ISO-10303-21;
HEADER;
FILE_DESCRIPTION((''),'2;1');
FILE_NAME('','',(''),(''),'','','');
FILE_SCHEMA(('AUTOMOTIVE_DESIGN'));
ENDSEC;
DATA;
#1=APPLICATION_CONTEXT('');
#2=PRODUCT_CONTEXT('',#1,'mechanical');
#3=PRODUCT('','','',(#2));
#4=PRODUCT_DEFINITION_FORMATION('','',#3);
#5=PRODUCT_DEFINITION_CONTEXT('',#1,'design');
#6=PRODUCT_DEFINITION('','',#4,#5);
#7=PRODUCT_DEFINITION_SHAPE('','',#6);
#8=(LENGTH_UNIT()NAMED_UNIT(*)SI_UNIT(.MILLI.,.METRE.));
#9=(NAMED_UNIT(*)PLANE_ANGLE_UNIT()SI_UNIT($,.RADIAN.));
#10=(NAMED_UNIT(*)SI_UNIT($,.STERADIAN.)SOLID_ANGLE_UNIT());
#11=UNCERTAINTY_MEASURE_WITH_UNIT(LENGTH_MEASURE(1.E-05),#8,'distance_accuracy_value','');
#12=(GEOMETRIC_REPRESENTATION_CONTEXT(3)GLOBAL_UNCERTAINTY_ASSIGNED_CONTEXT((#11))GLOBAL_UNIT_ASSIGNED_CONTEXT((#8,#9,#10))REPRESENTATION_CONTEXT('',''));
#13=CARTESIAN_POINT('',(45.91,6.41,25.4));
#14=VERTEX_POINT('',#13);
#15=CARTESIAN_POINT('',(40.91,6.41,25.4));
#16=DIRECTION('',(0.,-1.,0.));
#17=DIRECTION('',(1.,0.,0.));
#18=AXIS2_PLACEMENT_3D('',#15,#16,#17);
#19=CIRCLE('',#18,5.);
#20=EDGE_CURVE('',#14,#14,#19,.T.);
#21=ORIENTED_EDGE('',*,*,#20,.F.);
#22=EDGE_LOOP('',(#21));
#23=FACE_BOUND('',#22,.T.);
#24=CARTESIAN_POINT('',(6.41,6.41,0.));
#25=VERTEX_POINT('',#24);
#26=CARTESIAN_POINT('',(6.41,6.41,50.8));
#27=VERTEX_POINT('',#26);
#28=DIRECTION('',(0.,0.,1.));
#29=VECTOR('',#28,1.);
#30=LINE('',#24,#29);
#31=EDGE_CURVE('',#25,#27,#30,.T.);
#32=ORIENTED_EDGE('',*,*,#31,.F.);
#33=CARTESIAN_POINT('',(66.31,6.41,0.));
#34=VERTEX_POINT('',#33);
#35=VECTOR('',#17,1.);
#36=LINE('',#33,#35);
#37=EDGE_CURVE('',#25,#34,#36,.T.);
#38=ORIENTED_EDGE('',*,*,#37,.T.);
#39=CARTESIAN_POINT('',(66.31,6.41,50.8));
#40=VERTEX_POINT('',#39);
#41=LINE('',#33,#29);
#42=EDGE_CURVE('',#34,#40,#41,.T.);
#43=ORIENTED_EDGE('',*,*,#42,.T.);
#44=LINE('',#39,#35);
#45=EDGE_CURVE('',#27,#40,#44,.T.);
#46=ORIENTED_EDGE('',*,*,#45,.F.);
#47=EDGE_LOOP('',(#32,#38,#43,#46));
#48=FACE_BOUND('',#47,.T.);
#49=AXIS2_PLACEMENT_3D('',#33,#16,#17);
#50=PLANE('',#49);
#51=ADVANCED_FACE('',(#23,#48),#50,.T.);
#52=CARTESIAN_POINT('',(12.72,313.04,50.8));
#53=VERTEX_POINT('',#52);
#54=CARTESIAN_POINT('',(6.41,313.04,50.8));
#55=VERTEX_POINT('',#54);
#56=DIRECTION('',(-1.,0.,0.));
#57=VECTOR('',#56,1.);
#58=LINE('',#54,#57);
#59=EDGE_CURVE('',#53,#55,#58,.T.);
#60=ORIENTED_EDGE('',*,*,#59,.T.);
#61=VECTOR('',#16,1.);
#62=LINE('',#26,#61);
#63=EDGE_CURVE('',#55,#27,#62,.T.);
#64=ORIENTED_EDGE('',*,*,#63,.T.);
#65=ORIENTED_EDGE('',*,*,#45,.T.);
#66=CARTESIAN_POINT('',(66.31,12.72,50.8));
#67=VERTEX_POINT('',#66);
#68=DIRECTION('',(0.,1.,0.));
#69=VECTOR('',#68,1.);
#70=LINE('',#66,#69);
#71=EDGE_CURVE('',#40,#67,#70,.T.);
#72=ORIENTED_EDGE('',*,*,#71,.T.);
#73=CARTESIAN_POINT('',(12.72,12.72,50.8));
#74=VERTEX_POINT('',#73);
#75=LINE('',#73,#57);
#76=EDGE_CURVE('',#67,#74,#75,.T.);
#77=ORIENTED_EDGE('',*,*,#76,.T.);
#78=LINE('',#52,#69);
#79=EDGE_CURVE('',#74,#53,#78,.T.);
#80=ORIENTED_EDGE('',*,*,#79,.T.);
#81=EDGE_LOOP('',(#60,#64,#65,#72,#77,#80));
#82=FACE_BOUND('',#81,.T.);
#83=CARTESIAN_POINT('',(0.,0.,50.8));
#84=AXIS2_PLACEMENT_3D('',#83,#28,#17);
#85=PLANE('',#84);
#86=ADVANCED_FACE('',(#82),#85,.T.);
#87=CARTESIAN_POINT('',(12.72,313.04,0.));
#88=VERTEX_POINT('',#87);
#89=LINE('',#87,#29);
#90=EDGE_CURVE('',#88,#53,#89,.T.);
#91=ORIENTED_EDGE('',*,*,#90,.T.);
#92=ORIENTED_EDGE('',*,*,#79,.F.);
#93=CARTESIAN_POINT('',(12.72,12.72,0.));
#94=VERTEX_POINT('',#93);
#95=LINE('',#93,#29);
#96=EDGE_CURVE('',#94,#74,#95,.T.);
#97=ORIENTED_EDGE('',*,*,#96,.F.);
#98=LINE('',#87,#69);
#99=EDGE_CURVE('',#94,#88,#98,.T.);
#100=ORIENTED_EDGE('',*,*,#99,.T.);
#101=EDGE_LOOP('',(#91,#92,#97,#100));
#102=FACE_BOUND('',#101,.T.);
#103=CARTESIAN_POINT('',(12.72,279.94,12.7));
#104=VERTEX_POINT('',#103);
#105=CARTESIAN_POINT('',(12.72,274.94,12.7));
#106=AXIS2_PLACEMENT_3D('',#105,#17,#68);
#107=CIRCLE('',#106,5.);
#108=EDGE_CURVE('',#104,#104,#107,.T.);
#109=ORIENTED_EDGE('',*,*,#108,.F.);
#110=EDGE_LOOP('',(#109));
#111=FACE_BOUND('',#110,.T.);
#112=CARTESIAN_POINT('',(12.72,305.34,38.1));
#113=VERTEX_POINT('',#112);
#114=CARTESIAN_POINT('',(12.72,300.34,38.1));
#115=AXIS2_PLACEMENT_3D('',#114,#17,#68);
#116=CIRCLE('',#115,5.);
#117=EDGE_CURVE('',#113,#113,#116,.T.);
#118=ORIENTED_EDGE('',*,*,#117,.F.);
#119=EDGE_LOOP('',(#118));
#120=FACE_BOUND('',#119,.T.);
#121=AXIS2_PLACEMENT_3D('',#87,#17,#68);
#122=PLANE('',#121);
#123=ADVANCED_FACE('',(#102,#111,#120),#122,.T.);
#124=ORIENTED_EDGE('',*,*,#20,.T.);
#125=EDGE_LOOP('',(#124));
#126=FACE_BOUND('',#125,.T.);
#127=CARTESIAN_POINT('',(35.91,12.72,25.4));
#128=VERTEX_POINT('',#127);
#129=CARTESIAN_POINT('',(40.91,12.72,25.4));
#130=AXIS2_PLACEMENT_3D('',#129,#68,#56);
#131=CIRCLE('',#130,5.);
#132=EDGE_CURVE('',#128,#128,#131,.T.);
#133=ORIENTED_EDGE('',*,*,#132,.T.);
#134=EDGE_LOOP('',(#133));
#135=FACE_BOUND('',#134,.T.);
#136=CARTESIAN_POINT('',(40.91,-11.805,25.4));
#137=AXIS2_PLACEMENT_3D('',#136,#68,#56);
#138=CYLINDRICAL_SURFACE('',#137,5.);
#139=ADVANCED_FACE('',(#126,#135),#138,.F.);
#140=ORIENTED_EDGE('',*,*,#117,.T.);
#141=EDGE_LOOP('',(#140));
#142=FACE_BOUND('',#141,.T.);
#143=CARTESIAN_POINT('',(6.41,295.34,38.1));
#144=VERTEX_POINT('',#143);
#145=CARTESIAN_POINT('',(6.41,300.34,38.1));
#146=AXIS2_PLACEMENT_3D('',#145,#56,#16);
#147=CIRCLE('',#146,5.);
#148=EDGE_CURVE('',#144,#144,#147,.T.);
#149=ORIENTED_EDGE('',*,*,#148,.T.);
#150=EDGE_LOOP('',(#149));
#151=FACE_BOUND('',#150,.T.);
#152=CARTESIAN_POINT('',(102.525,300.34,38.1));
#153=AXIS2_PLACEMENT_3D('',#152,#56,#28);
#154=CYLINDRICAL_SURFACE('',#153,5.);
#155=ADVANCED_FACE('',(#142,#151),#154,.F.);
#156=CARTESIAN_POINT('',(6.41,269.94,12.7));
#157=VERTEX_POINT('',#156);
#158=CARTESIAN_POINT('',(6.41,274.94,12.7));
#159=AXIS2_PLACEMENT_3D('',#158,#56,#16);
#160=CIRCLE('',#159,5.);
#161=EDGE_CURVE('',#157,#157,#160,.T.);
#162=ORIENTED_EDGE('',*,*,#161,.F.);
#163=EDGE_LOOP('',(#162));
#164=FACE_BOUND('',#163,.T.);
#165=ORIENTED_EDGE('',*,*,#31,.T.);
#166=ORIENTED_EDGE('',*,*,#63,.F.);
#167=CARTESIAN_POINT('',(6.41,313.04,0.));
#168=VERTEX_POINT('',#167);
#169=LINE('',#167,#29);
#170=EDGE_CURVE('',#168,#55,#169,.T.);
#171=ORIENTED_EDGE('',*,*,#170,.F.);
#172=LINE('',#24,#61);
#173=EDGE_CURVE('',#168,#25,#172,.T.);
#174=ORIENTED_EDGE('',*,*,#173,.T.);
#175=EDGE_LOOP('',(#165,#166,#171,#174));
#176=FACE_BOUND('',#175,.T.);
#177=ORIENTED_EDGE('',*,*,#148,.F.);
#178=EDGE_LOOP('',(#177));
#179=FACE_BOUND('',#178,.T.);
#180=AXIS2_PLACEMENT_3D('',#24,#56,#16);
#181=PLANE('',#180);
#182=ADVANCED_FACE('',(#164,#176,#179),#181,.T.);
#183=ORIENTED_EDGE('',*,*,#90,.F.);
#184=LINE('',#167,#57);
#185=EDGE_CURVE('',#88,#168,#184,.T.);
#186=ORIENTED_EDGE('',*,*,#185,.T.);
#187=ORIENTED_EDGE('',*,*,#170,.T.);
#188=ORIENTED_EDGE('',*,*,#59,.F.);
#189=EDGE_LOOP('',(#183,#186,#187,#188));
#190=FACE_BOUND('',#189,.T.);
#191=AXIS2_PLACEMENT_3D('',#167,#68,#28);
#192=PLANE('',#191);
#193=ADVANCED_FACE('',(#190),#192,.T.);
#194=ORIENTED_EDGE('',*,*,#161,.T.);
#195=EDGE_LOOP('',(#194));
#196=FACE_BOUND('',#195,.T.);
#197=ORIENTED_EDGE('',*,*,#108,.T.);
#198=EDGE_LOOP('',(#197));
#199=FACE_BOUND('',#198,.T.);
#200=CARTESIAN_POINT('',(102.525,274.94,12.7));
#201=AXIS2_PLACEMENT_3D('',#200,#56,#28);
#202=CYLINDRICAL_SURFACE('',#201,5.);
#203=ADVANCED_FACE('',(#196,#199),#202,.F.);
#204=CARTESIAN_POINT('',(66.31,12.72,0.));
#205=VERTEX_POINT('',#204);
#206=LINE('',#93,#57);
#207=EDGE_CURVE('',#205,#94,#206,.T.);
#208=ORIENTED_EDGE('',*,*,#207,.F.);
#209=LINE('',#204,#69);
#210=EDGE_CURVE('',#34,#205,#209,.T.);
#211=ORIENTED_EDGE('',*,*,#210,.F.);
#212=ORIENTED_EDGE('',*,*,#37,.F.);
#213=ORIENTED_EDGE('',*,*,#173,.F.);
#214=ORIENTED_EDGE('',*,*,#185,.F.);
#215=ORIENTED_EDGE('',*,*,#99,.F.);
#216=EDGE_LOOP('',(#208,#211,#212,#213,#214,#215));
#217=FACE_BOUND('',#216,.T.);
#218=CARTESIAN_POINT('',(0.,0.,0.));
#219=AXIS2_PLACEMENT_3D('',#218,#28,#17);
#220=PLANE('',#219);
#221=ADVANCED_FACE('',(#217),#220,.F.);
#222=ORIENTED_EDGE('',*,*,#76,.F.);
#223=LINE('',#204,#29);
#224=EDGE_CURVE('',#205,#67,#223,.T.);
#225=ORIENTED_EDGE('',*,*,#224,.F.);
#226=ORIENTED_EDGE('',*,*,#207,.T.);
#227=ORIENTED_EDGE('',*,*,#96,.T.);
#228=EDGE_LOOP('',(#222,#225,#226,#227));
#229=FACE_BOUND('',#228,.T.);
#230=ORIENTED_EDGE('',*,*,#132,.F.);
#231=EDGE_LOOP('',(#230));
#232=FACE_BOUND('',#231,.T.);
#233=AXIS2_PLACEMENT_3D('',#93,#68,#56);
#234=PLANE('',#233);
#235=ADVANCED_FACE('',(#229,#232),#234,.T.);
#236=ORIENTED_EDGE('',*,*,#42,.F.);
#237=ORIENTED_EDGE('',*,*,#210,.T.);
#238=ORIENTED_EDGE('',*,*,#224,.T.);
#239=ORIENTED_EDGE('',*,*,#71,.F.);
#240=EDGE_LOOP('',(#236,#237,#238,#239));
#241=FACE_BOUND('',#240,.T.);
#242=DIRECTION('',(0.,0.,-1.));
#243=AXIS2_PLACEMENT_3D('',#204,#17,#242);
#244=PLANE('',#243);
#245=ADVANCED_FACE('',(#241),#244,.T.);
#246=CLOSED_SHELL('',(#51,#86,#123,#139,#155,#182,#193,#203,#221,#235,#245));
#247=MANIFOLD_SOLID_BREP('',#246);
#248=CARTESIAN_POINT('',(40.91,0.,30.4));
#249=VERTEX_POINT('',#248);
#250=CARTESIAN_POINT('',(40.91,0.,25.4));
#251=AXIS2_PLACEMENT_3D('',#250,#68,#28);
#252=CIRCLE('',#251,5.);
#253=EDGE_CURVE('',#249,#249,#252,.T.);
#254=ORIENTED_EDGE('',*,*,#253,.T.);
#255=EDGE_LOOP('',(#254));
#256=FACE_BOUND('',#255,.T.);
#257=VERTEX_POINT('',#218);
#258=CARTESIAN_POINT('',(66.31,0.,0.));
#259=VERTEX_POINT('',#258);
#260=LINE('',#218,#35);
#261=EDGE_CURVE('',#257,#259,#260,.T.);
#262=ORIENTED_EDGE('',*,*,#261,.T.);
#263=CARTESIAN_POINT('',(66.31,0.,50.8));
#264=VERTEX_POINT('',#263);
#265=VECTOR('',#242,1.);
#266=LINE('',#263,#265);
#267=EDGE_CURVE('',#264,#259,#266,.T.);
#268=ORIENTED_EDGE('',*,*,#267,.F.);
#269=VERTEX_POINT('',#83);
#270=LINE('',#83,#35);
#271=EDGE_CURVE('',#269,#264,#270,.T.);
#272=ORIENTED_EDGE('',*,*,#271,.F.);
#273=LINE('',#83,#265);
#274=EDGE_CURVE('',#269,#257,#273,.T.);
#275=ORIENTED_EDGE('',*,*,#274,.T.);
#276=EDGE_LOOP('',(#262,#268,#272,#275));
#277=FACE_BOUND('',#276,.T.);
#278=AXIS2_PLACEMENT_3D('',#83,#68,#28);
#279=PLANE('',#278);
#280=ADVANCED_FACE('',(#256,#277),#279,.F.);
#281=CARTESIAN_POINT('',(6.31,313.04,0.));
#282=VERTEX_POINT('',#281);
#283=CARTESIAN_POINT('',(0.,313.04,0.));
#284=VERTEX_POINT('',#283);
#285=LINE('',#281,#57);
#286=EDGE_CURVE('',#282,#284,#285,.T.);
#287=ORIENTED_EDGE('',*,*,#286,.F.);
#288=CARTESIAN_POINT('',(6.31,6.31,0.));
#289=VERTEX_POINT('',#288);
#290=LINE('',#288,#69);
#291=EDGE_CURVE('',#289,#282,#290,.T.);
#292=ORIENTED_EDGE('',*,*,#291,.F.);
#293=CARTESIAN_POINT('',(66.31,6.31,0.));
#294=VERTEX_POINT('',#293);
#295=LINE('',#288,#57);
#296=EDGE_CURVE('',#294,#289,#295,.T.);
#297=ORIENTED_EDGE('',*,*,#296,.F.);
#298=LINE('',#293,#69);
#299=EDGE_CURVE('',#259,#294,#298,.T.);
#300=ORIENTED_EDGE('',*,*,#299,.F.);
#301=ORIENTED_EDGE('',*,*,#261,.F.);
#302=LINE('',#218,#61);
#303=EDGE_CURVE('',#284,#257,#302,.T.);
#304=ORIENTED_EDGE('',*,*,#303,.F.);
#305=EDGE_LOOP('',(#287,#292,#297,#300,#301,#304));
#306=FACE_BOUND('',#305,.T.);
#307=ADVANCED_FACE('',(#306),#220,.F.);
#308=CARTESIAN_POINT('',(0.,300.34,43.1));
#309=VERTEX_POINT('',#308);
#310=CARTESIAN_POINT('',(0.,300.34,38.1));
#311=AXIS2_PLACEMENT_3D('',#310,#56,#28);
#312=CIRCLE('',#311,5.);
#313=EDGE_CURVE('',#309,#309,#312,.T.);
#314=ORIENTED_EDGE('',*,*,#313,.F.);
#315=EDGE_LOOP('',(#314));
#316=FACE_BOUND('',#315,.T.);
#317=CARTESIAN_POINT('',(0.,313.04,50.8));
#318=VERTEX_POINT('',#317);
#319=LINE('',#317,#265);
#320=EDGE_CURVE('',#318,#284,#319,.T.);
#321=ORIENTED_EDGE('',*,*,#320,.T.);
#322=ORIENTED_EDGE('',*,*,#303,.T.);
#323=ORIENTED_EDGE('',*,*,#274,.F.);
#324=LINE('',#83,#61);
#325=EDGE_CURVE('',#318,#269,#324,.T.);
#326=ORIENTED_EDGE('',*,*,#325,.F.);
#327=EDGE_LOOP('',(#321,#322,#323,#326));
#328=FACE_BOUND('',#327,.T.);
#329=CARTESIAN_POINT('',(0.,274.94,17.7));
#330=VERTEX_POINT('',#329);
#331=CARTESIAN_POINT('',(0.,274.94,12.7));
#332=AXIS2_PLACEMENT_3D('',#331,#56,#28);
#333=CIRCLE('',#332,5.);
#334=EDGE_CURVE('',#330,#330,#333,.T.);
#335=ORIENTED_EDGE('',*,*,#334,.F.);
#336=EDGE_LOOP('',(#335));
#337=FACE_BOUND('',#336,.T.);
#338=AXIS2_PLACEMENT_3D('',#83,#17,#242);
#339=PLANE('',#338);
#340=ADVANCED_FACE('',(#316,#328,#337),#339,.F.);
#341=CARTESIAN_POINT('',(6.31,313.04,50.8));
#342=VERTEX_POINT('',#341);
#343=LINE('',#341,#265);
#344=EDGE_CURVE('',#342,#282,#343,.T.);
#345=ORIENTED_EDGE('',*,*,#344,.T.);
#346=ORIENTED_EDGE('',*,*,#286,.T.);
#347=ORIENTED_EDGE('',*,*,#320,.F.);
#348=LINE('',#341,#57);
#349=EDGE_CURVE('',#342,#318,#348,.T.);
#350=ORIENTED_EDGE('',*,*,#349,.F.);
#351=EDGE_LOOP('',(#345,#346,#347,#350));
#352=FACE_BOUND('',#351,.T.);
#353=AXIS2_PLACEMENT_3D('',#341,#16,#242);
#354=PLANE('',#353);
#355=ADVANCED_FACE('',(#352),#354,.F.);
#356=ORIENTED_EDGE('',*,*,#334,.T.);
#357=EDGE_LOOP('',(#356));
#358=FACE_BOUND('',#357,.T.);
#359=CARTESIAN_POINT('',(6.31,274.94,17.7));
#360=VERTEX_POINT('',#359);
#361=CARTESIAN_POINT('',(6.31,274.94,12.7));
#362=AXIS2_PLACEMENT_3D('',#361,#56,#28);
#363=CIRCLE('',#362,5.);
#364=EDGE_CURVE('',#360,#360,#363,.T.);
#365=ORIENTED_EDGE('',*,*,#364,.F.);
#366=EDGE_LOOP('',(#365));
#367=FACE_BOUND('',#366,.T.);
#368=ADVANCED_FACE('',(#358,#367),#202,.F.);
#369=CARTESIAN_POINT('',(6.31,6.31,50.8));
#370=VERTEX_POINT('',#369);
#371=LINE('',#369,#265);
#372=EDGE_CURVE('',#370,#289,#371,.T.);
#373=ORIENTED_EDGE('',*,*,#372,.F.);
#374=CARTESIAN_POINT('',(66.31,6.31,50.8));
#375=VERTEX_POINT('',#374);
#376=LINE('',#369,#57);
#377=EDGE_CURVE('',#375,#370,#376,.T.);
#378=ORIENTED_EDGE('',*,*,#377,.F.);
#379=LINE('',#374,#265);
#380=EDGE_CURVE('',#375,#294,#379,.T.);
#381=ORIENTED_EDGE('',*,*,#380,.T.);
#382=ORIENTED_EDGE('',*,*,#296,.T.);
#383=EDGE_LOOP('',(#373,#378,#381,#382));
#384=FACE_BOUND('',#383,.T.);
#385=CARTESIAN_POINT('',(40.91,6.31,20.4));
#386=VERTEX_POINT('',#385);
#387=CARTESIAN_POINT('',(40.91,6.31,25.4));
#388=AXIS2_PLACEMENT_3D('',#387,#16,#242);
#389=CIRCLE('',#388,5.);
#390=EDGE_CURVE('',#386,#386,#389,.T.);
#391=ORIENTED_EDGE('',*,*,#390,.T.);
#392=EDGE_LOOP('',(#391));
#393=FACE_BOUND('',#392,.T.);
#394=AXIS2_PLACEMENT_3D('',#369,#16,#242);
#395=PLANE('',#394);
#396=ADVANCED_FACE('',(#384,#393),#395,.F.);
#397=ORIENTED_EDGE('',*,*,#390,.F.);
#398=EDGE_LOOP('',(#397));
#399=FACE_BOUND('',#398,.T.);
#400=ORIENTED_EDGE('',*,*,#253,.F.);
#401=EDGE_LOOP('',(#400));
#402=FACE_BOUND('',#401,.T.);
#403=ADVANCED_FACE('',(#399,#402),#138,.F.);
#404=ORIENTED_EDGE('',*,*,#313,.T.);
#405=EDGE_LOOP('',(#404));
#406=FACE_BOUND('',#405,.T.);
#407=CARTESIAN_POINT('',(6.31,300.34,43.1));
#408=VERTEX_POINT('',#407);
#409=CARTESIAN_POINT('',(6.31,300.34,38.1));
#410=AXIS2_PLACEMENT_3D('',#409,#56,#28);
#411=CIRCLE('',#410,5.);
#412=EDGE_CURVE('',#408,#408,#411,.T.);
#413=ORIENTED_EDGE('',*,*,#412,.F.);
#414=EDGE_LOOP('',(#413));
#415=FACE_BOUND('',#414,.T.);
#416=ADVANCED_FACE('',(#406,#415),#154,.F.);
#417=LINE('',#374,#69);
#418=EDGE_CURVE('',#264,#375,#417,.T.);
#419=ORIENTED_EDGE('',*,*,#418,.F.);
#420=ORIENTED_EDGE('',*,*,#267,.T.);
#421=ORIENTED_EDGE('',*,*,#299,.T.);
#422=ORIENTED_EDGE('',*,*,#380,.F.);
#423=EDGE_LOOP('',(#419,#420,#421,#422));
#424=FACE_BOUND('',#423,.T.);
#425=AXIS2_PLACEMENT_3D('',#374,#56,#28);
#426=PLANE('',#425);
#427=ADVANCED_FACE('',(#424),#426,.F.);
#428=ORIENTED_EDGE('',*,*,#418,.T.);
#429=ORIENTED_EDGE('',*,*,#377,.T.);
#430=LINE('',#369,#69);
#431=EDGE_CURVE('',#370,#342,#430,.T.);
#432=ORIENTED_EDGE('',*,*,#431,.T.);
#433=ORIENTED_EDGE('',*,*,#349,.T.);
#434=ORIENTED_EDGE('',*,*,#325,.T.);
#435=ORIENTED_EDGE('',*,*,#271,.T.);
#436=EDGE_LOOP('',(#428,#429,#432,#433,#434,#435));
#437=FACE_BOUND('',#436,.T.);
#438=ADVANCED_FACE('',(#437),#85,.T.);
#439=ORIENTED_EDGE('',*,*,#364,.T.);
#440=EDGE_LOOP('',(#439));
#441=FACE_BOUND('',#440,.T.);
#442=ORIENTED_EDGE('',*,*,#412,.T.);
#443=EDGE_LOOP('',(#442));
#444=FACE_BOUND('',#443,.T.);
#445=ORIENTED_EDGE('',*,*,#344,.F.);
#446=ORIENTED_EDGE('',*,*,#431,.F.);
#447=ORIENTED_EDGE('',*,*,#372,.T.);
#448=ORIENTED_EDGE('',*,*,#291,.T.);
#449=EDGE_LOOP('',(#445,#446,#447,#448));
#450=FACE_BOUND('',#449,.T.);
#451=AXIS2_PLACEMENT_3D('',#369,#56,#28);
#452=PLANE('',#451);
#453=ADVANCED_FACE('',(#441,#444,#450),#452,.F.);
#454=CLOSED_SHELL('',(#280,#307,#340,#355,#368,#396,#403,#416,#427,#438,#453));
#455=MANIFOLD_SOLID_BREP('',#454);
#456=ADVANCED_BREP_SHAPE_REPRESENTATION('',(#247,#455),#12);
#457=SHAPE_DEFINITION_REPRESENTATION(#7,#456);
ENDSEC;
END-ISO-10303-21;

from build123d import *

# Parameters (mm, degrees)
SALIENTE_EXTRUIR1_DEPTH = 50.8
SALIENTE_EXTRUIR2_DEPTH = 50.8
CROQUIS3_R              = 5
CORTAR_EXTRUIR1_DEPTH   = 102.525
CROQUIS5_R              = 5
CORTAR_EXTRUIR2_DEPTH   = 24.525


with BuildPart() as part:
    # Croquis1 → Saliente-Extruir1 (new body)
    with BuildSketch(Plane.XY):
        Polygon((0, 0), (66.31, 0), (66.31, 6.31), (6.31, 6.31), (6.31, 313.04), (0, 313.04), align=None)
    extrude(amount=SALIENTE_EXTRUIR1_DEPTH)


with BuildPart() as body_2:
    # Croquis2 → Saliente-Extruir2 (new body)
    with BuildSketch(Plane.XY.offset(50.8)):
        Polygon((6.41, 313.04), (12.72, 313.04), (12.72, 12.72), (66.31, 12.72), (66.31, 6.41), (6.41, 6.41), align=None)
    extrude(amount=-SALIENTE_EXTRUIR2_DEPTH)


with BuildPart() as cortar_extruir1_tool:
    # Croquis3 → Cortar-Extruir1 (new body)
    with BuildSketch(Plane.ZY):
        with Locations(Location((12.7, 274.94, 0), (0, 0, 90))):
            Circle(CROQUIS3_R)
        with Locations(Location((38.1, 300.34, 0), (0, 0, 90))):
            Circle(CROQUIS3_R)
    extrude(amount=-CORTAR_EXTRUIR1_DEPTH)


with BuildPart() as part_1:
    add(part.part)

    # Cortar-Extruir1: cut by cortar_extruir1_tool
    add(cortar_extruir1_tool.part, mode=Mode.SUBTRACT)


with BuildPart() as body_2_1:
    add(body_2.part)

    # Cortar-Extruir1: cut by cortar_extruir1_tool
    add(cortar_extruir1_tool.part, mode=Mode.SUBTRACT)


with BuildPart() as cortar_extruir2_tool:
    # Croquis5 → Cortar-Extruir2 (new body)
    with BuildSketch(Plane(origin=(0, 12.72, 0), x_dir=(1, 0, 0), z_dir=(0, 1, 0))):
        with Locations(Location((40.91, -25.4, 0), (0, 0, 180))):
            Circle(CROQUIS5_R)
    extrude(amount=-CORTAR_EXTRUIR2_DEPTH)


with BuildPart() as part_2:
    add(part_1.part)

    # Cortar-Extruir2: cut by cortar_extruir2_tool
    add(cortar_extruir2_tool.part, mode=Mode.SUBTRACT)


with BuildPart() as body_2_2:
    add(body_2_1.part)

    # Cortar-Extruir2: cut by cortar_extruir2_tool
    add(cortar_extruir2_tool.part, mode=Mode.SUBTRACT)


solid = Compound([part_2.part, body_2_2.part])
